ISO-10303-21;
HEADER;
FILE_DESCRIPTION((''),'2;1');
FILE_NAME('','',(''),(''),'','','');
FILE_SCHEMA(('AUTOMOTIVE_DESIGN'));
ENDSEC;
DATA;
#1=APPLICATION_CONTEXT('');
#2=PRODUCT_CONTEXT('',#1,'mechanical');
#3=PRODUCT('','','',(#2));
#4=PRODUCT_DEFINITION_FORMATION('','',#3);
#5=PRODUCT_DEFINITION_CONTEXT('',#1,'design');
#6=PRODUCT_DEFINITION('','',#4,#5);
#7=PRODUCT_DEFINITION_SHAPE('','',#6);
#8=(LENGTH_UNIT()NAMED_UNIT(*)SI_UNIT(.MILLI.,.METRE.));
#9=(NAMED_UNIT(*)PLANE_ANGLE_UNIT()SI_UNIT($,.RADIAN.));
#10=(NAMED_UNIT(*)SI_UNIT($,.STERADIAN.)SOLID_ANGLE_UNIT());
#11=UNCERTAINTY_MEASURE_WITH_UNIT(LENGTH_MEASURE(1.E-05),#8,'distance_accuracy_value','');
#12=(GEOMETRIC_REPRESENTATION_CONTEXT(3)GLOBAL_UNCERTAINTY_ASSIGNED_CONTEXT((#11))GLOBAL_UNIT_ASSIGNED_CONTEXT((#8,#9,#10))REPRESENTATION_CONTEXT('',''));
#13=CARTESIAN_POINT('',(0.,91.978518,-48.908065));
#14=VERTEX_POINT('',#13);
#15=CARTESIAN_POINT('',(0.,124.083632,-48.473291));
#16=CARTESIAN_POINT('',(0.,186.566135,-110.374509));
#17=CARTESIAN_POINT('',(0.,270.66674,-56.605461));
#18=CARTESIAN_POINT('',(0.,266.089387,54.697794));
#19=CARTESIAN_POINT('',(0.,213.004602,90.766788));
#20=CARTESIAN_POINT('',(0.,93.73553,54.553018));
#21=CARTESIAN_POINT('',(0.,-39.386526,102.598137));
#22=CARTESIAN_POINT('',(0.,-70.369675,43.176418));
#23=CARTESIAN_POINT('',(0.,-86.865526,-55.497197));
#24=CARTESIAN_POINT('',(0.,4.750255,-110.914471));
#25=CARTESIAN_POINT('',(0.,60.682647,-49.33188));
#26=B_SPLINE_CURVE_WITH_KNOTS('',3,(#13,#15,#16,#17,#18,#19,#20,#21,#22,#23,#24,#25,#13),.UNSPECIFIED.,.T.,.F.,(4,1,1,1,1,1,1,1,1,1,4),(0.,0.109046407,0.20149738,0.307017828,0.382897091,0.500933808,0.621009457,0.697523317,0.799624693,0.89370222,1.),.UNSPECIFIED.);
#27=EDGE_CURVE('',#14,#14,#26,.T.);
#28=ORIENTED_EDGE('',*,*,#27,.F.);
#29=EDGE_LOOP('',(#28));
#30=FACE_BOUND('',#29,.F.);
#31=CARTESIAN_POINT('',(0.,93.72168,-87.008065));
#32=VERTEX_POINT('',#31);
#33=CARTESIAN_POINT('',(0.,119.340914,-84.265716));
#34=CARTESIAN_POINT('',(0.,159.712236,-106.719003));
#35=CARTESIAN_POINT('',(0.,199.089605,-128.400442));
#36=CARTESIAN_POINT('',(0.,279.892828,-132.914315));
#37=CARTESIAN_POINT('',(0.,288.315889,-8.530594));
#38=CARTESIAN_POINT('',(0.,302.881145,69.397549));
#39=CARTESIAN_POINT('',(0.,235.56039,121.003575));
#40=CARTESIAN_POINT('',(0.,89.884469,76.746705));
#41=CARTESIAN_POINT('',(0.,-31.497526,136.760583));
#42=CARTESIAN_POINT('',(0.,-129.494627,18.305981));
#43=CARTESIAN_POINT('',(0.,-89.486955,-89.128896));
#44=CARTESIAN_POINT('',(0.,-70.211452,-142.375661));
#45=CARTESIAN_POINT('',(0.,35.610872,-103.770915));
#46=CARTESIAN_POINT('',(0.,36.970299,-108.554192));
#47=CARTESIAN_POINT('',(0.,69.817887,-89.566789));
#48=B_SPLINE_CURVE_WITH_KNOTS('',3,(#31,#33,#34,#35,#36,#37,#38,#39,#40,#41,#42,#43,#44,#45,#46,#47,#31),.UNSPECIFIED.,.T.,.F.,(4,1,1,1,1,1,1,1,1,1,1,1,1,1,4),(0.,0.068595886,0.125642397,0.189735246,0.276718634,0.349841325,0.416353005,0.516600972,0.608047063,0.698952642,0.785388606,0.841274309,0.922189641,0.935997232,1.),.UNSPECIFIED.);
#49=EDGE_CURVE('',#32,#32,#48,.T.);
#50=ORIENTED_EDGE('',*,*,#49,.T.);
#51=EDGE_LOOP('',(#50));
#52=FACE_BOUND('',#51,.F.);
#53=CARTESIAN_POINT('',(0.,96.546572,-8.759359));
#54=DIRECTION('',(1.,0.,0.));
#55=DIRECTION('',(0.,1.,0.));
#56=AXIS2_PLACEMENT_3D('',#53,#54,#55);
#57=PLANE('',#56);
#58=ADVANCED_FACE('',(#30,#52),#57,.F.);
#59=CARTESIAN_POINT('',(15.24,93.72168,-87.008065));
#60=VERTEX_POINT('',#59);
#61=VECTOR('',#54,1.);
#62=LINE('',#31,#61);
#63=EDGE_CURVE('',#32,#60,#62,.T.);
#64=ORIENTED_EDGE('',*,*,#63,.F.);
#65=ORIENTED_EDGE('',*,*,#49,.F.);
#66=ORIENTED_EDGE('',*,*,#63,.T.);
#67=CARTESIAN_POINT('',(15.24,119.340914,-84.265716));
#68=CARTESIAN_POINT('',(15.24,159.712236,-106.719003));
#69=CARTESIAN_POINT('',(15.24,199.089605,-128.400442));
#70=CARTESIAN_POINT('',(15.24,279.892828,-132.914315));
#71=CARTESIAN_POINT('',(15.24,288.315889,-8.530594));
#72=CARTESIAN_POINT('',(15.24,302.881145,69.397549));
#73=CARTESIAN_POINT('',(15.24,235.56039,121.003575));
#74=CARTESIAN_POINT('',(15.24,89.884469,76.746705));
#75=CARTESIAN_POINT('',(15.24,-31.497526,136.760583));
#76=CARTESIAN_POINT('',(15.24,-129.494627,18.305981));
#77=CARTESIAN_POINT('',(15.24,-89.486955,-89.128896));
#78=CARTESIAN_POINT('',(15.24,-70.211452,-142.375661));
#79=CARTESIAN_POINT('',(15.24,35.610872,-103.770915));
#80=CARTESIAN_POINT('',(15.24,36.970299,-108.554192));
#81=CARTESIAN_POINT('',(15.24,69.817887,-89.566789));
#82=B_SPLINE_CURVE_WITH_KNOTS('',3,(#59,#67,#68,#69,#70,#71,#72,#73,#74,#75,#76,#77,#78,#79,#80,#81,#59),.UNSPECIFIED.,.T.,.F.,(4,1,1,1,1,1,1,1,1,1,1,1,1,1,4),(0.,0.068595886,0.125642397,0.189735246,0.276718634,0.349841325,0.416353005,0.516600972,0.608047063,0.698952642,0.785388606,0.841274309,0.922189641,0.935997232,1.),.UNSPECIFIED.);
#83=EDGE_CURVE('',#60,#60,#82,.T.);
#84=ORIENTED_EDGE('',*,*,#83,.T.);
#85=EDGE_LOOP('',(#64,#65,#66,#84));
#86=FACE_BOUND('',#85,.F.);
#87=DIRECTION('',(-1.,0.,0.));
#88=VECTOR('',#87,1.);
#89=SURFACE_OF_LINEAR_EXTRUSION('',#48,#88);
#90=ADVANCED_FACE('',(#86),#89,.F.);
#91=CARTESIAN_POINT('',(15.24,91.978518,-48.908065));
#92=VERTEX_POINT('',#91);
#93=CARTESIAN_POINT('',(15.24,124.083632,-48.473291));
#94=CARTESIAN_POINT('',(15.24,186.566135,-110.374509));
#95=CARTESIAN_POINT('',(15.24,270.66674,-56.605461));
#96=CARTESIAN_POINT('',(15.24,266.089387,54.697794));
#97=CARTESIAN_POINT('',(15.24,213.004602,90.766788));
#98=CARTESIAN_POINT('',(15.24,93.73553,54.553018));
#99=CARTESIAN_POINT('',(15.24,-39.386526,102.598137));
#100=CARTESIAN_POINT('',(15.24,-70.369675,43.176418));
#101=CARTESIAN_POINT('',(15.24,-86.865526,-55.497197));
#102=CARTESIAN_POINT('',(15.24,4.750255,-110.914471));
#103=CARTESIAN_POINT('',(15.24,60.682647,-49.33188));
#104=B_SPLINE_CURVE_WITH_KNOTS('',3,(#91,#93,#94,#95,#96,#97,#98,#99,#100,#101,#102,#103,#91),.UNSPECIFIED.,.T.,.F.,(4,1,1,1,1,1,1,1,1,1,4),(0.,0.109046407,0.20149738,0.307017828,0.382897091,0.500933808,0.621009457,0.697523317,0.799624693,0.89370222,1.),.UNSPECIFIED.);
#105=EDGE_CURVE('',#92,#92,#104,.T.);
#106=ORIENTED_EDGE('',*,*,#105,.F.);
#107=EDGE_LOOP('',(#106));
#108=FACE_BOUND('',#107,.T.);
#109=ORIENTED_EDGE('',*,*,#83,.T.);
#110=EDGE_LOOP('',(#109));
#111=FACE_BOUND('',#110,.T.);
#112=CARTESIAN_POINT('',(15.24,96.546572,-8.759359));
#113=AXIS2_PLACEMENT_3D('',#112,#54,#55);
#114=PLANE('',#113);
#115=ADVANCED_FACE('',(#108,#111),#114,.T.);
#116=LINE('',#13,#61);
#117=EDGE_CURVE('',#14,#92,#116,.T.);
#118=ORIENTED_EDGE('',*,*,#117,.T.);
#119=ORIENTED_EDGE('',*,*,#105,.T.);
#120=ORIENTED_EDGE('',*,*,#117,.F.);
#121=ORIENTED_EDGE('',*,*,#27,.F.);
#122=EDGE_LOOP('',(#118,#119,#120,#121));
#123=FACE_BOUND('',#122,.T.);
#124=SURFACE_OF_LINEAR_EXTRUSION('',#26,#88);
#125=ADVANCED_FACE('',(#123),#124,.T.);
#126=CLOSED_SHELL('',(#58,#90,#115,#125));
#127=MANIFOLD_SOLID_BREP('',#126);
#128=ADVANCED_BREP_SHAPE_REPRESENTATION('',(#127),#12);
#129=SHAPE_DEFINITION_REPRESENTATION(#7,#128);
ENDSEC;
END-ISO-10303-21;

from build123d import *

# Parameters (mm, degrees)
F1_DEPTH = 15.24


with BuildPart() as f1:
    # F0 (on Right) → F1 (new body)
    with BuildSketch(Plane.YZ):
        with BuildLine():
            add(Edge.make_bspline(
                [(93.7216803432, -87.0080650258), (119.3409141688, -84.2657155333), (159.7122362428, -106.7190028029), (199.089605357, -128.4004420241), (279.892827885, -132.9143152639), (288.315888875, -8.5305939647), (302.8811447379, 69.3975489966), (235.560389815, 121.0035753562), (89.8844688973, 76.7467053791), (-31.4975260539, 136.7605833058), (-129.4946268079, 18.3059811786), (-89.4869548977, -89.1288956743), (-70.2114521695, -142.3756611553), (35.6108720418, -103.7709145606), (36.9702990682, -108.5541921777), (69.8178871342, -89.5667892883), (93.7216803432, -87.0080650258)],
                knots=[0, 0, 0, 0, 0.068595886, 0.1256423966, 0.1897352457, 0.2767186337, 0.349841325, 0.4163530053, 0.516600972, 0.6080470629, 0.6989526422, 0.7853886064, 0.8412743087, 0.9221896414, 0.9359972322, 1, 1, 1, 1], degree=3))
        make_face()
        with BuildLine():
            add(Edge.make_bspline(
                [(91.9785181332, -48.9080650258), (124.083632285, -48.473291406), (186.5661351828, -110.3745094692), (270.6667400076, -56.6054607007), (266.0893865286, 54.697793911), (213.0046018302, 90.7667882409), (93.7355296774, 54.5530178993), (-39.3865260322, 102.5981368934), (-70.3696745176, 43.1764175228), (-86.8655255926, -55.4971973201), (4.7502545969, -110.9144707256), (60.6826465062, -49.331879728), (91.9785181332, -48.9080650258)],
                knots=[0, 0, 0, 0, 0.1090464074, 0.2014973805, 0.3070178279, 0.382897091, 0.5009338081, 0.6210094571, 0.6975233174, 0.7996246927, 0.8937022198, 1, 1, 1, 1], degree=3))
        make_face(mode=Mode.SUBTRACT)
    extrude(amount=F1_DEPTH)


solid = f1.part
